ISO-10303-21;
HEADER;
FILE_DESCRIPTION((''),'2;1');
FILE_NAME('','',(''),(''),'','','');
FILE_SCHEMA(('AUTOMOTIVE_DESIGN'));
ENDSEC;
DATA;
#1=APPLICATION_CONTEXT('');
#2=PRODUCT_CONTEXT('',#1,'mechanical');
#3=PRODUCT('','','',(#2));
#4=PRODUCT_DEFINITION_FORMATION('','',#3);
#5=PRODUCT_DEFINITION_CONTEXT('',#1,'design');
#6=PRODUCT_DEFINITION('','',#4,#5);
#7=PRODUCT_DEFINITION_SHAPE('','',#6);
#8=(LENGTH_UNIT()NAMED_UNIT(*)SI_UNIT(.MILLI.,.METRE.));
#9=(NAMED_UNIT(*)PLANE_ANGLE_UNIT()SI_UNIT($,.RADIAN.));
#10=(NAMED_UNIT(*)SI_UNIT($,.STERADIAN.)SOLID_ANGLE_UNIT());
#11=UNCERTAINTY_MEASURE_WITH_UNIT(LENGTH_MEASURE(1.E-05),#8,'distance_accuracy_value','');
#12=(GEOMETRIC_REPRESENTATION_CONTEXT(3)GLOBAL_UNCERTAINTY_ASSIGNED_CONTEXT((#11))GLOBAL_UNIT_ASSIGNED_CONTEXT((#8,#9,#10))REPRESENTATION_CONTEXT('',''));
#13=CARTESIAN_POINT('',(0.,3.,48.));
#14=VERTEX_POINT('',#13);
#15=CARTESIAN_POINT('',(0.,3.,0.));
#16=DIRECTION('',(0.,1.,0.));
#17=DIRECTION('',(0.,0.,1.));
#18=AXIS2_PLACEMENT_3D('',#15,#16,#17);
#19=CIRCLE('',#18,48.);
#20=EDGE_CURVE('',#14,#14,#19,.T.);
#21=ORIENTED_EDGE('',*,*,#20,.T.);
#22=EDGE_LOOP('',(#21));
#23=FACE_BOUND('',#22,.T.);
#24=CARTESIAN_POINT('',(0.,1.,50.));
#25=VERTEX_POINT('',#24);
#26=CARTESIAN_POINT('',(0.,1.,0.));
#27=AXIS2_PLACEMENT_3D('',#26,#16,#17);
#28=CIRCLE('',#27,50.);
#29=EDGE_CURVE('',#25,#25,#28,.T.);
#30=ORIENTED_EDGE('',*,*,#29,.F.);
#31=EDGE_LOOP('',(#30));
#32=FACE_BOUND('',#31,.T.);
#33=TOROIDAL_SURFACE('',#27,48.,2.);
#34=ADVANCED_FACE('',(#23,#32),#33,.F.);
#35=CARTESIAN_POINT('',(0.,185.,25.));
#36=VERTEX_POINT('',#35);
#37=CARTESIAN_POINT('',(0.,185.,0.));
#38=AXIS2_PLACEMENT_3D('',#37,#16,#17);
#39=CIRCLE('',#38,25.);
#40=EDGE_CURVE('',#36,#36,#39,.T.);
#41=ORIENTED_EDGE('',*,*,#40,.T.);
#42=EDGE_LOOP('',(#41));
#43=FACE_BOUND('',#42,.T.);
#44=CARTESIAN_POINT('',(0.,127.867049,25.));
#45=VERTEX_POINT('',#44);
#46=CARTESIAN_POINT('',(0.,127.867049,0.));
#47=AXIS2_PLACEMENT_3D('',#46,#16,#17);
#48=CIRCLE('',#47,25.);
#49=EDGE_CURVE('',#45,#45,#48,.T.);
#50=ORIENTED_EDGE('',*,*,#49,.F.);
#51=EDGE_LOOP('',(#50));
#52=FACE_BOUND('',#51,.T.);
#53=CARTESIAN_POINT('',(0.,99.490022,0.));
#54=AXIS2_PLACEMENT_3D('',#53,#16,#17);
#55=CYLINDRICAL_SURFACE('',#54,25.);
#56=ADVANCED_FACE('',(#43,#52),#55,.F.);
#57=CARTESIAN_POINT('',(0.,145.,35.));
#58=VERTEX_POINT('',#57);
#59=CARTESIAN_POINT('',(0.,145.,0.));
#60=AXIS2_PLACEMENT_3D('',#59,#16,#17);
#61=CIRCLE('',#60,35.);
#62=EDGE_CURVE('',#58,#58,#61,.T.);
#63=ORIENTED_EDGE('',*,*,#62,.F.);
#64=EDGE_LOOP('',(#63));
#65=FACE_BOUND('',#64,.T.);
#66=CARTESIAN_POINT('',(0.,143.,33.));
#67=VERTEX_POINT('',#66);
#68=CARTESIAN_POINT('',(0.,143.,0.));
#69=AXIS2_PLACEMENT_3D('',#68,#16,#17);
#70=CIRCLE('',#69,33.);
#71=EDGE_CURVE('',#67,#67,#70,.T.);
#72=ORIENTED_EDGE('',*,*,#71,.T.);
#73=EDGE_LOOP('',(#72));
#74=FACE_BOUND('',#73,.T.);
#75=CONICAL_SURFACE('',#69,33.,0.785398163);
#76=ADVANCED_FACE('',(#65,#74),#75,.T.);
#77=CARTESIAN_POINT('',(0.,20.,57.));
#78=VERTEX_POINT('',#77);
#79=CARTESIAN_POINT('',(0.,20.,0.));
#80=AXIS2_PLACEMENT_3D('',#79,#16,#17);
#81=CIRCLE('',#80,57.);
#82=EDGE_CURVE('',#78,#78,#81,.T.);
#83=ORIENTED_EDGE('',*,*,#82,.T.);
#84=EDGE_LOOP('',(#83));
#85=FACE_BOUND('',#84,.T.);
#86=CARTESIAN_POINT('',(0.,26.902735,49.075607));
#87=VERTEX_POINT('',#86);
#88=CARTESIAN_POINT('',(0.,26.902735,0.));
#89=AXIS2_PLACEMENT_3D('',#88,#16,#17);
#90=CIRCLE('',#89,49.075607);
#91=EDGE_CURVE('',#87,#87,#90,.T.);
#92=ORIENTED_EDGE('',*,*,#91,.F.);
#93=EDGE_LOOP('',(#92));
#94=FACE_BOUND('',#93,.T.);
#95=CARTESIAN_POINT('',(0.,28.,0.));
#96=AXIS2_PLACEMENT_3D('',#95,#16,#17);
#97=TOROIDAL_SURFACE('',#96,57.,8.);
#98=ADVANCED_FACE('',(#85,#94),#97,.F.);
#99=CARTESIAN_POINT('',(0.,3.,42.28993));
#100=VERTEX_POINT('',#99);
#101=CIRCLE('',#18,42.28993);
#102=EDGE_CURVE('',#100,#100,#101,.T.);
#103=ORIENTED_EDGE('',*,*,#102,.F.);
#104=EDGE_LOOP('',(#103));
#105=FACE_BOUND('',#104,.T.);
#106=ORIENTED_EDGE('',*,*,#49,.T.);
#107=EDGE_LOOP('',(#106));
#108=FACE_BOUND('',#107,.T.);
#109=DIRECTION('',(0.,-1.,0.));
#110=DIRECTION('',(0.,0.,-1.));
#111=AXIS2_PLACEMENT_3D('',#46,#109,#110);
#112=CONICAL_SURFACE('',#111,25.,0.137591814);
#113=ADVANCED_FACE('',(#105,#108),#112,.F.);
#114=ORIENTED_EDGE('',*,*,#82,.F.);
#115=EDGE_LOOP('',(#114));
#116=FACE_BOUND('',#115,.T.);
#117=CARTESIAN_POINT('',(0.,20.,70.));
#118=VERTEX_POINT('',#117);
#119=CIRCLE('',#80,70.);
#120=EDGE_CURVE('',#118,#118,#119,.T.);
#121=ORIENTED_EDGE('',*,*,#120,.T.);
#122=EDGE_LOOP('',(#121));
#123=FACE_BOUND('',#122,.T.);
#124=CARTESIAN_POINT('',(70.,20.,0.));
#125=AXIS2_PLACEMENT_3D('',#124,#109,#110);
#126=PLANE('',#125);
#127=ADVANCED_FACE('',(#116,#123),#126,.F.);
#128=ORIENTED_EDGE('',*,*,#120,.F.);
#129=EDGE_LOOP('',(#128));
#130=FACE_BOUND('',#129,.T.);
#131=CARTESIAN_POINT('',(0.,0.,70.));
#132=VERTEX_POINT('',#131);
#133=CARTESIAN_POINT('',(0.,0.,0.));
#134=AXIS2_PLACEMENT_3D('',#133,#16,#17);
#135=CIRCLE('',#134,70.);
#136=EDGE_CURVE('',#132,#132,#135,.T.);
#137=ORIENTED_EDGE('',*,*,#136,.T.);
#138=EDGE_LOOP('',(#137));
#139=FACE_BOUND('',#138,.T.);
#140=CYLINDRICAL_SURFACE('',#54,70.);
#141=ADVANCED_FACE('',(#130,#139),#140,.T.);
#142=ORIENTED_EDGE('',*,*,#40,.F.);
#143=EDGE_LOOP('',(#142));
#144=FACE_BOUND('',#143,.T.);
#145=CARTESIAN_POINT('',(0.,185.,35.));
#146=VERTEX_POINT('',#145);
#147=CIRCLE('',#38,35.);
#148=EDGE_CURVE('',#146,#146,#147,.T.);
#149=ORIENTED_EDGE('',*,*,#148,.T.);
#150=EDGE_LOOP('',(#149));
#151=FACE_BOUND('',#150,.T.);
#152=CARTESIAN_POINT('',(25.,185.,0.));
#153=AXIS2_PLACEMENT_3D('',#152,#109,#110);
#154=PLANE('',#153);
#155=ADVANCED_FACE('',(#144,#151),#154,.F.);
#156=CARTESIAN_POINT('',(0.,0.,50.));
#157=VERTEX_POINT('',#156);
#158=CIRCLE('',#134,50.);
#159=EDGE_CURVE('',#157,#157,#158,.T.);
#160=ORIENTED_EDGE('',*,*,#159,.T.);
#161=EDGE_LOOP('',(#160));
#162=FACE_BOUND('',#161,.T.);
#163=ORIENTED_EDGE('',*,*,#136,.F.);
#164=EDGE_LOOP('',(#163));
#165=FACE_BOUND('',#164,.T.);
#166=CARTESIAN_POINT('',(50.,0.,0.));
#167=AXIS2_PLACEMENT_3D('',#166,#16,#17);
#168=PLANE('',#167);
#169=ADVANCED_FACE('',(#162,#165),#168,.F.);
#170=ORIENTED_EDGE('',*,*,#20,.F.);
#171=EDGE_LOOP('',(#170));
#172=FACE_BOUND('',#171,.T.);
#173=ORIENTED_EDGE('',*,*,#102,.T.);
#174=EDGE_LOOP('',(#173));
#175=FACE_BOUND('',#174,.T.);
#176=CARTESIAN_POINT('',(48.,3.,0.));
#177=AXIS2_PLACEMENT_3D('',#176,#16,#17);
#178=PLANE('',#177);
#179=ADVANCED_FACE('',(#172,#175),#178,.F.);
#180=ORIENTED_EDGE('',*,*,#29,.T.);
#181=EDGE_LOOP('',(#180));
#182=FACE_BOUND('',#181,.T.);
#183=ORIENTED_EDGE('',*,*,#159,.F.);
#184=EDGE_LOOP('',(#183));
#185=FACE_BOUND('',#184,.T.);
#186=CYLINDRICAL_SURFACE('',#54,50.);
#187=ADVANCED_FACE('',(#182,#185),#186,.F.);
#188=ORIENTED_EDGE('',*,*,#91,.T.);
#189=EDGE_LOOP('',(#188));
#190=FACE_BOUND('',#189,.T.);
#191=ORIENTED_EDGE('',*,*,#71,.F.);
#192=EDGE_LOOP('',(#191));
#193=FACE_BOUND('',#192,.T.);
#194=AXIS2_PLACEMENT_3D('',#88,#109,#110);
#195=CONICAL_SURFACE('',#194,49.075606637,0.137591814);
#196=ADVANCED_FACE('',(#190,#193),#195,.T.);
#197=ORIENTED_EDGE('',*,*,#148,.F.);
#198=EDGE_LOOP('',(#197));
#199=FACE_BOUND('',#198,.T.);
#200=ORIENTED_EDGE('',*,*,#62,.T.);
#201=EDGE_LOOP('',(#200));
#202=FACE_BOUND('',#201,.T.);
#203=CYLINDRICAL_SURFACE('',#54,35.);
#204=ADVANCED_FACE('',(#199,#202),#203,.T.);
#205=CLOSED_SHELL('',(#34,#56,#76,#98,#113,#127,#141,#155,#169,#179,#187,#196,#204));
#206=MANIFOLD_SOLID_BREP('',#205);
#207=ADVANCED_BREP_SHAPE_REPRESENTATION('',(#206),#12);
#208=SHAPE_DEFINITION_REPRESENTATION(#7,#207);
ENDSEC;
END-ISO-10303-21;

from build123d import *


with BuildPart() as part:
    # Sketch1 → Revolve1 (revolve)
    with BuildSketch(Plane.XY, mode=Mode.PRIVATE) as revolve1_sk:
        with BuildLine():
            Line((70, 0), (70, 20))
            Line((70, 20), (57, 20))
            ThreePointArc((57, 20), (51.745388578, 21.967665559), (49.075606637, 26.902735298))
            Line((49.075606637, 26.902735298), (33, 143))
            Line((33, 143), (35, 145))
            Line((35, 145), (35, 185))
            Line((35, 185), (25, 185))
            Line((25, 185), (25, 127.867048884))
            Line((25, 127.867048884), (42.289929827, 3))
            Line((42.289929827, 3), (48, 3))
            ThreePointArc((48, 3), (49.414213562, 2.414213562), (50, 1))
            Line((50, 1), (50, 0))
            Line((50, 0), (70, 0))
        make_face()
    revolve(revolve1_sk.sketch.rotate(Axis((0, 99.490022173, 0), (0, -1, 0)), 90), axis=Axis((0, 99.490022173, 0), (0, -1, 0)))


solid = part.part
